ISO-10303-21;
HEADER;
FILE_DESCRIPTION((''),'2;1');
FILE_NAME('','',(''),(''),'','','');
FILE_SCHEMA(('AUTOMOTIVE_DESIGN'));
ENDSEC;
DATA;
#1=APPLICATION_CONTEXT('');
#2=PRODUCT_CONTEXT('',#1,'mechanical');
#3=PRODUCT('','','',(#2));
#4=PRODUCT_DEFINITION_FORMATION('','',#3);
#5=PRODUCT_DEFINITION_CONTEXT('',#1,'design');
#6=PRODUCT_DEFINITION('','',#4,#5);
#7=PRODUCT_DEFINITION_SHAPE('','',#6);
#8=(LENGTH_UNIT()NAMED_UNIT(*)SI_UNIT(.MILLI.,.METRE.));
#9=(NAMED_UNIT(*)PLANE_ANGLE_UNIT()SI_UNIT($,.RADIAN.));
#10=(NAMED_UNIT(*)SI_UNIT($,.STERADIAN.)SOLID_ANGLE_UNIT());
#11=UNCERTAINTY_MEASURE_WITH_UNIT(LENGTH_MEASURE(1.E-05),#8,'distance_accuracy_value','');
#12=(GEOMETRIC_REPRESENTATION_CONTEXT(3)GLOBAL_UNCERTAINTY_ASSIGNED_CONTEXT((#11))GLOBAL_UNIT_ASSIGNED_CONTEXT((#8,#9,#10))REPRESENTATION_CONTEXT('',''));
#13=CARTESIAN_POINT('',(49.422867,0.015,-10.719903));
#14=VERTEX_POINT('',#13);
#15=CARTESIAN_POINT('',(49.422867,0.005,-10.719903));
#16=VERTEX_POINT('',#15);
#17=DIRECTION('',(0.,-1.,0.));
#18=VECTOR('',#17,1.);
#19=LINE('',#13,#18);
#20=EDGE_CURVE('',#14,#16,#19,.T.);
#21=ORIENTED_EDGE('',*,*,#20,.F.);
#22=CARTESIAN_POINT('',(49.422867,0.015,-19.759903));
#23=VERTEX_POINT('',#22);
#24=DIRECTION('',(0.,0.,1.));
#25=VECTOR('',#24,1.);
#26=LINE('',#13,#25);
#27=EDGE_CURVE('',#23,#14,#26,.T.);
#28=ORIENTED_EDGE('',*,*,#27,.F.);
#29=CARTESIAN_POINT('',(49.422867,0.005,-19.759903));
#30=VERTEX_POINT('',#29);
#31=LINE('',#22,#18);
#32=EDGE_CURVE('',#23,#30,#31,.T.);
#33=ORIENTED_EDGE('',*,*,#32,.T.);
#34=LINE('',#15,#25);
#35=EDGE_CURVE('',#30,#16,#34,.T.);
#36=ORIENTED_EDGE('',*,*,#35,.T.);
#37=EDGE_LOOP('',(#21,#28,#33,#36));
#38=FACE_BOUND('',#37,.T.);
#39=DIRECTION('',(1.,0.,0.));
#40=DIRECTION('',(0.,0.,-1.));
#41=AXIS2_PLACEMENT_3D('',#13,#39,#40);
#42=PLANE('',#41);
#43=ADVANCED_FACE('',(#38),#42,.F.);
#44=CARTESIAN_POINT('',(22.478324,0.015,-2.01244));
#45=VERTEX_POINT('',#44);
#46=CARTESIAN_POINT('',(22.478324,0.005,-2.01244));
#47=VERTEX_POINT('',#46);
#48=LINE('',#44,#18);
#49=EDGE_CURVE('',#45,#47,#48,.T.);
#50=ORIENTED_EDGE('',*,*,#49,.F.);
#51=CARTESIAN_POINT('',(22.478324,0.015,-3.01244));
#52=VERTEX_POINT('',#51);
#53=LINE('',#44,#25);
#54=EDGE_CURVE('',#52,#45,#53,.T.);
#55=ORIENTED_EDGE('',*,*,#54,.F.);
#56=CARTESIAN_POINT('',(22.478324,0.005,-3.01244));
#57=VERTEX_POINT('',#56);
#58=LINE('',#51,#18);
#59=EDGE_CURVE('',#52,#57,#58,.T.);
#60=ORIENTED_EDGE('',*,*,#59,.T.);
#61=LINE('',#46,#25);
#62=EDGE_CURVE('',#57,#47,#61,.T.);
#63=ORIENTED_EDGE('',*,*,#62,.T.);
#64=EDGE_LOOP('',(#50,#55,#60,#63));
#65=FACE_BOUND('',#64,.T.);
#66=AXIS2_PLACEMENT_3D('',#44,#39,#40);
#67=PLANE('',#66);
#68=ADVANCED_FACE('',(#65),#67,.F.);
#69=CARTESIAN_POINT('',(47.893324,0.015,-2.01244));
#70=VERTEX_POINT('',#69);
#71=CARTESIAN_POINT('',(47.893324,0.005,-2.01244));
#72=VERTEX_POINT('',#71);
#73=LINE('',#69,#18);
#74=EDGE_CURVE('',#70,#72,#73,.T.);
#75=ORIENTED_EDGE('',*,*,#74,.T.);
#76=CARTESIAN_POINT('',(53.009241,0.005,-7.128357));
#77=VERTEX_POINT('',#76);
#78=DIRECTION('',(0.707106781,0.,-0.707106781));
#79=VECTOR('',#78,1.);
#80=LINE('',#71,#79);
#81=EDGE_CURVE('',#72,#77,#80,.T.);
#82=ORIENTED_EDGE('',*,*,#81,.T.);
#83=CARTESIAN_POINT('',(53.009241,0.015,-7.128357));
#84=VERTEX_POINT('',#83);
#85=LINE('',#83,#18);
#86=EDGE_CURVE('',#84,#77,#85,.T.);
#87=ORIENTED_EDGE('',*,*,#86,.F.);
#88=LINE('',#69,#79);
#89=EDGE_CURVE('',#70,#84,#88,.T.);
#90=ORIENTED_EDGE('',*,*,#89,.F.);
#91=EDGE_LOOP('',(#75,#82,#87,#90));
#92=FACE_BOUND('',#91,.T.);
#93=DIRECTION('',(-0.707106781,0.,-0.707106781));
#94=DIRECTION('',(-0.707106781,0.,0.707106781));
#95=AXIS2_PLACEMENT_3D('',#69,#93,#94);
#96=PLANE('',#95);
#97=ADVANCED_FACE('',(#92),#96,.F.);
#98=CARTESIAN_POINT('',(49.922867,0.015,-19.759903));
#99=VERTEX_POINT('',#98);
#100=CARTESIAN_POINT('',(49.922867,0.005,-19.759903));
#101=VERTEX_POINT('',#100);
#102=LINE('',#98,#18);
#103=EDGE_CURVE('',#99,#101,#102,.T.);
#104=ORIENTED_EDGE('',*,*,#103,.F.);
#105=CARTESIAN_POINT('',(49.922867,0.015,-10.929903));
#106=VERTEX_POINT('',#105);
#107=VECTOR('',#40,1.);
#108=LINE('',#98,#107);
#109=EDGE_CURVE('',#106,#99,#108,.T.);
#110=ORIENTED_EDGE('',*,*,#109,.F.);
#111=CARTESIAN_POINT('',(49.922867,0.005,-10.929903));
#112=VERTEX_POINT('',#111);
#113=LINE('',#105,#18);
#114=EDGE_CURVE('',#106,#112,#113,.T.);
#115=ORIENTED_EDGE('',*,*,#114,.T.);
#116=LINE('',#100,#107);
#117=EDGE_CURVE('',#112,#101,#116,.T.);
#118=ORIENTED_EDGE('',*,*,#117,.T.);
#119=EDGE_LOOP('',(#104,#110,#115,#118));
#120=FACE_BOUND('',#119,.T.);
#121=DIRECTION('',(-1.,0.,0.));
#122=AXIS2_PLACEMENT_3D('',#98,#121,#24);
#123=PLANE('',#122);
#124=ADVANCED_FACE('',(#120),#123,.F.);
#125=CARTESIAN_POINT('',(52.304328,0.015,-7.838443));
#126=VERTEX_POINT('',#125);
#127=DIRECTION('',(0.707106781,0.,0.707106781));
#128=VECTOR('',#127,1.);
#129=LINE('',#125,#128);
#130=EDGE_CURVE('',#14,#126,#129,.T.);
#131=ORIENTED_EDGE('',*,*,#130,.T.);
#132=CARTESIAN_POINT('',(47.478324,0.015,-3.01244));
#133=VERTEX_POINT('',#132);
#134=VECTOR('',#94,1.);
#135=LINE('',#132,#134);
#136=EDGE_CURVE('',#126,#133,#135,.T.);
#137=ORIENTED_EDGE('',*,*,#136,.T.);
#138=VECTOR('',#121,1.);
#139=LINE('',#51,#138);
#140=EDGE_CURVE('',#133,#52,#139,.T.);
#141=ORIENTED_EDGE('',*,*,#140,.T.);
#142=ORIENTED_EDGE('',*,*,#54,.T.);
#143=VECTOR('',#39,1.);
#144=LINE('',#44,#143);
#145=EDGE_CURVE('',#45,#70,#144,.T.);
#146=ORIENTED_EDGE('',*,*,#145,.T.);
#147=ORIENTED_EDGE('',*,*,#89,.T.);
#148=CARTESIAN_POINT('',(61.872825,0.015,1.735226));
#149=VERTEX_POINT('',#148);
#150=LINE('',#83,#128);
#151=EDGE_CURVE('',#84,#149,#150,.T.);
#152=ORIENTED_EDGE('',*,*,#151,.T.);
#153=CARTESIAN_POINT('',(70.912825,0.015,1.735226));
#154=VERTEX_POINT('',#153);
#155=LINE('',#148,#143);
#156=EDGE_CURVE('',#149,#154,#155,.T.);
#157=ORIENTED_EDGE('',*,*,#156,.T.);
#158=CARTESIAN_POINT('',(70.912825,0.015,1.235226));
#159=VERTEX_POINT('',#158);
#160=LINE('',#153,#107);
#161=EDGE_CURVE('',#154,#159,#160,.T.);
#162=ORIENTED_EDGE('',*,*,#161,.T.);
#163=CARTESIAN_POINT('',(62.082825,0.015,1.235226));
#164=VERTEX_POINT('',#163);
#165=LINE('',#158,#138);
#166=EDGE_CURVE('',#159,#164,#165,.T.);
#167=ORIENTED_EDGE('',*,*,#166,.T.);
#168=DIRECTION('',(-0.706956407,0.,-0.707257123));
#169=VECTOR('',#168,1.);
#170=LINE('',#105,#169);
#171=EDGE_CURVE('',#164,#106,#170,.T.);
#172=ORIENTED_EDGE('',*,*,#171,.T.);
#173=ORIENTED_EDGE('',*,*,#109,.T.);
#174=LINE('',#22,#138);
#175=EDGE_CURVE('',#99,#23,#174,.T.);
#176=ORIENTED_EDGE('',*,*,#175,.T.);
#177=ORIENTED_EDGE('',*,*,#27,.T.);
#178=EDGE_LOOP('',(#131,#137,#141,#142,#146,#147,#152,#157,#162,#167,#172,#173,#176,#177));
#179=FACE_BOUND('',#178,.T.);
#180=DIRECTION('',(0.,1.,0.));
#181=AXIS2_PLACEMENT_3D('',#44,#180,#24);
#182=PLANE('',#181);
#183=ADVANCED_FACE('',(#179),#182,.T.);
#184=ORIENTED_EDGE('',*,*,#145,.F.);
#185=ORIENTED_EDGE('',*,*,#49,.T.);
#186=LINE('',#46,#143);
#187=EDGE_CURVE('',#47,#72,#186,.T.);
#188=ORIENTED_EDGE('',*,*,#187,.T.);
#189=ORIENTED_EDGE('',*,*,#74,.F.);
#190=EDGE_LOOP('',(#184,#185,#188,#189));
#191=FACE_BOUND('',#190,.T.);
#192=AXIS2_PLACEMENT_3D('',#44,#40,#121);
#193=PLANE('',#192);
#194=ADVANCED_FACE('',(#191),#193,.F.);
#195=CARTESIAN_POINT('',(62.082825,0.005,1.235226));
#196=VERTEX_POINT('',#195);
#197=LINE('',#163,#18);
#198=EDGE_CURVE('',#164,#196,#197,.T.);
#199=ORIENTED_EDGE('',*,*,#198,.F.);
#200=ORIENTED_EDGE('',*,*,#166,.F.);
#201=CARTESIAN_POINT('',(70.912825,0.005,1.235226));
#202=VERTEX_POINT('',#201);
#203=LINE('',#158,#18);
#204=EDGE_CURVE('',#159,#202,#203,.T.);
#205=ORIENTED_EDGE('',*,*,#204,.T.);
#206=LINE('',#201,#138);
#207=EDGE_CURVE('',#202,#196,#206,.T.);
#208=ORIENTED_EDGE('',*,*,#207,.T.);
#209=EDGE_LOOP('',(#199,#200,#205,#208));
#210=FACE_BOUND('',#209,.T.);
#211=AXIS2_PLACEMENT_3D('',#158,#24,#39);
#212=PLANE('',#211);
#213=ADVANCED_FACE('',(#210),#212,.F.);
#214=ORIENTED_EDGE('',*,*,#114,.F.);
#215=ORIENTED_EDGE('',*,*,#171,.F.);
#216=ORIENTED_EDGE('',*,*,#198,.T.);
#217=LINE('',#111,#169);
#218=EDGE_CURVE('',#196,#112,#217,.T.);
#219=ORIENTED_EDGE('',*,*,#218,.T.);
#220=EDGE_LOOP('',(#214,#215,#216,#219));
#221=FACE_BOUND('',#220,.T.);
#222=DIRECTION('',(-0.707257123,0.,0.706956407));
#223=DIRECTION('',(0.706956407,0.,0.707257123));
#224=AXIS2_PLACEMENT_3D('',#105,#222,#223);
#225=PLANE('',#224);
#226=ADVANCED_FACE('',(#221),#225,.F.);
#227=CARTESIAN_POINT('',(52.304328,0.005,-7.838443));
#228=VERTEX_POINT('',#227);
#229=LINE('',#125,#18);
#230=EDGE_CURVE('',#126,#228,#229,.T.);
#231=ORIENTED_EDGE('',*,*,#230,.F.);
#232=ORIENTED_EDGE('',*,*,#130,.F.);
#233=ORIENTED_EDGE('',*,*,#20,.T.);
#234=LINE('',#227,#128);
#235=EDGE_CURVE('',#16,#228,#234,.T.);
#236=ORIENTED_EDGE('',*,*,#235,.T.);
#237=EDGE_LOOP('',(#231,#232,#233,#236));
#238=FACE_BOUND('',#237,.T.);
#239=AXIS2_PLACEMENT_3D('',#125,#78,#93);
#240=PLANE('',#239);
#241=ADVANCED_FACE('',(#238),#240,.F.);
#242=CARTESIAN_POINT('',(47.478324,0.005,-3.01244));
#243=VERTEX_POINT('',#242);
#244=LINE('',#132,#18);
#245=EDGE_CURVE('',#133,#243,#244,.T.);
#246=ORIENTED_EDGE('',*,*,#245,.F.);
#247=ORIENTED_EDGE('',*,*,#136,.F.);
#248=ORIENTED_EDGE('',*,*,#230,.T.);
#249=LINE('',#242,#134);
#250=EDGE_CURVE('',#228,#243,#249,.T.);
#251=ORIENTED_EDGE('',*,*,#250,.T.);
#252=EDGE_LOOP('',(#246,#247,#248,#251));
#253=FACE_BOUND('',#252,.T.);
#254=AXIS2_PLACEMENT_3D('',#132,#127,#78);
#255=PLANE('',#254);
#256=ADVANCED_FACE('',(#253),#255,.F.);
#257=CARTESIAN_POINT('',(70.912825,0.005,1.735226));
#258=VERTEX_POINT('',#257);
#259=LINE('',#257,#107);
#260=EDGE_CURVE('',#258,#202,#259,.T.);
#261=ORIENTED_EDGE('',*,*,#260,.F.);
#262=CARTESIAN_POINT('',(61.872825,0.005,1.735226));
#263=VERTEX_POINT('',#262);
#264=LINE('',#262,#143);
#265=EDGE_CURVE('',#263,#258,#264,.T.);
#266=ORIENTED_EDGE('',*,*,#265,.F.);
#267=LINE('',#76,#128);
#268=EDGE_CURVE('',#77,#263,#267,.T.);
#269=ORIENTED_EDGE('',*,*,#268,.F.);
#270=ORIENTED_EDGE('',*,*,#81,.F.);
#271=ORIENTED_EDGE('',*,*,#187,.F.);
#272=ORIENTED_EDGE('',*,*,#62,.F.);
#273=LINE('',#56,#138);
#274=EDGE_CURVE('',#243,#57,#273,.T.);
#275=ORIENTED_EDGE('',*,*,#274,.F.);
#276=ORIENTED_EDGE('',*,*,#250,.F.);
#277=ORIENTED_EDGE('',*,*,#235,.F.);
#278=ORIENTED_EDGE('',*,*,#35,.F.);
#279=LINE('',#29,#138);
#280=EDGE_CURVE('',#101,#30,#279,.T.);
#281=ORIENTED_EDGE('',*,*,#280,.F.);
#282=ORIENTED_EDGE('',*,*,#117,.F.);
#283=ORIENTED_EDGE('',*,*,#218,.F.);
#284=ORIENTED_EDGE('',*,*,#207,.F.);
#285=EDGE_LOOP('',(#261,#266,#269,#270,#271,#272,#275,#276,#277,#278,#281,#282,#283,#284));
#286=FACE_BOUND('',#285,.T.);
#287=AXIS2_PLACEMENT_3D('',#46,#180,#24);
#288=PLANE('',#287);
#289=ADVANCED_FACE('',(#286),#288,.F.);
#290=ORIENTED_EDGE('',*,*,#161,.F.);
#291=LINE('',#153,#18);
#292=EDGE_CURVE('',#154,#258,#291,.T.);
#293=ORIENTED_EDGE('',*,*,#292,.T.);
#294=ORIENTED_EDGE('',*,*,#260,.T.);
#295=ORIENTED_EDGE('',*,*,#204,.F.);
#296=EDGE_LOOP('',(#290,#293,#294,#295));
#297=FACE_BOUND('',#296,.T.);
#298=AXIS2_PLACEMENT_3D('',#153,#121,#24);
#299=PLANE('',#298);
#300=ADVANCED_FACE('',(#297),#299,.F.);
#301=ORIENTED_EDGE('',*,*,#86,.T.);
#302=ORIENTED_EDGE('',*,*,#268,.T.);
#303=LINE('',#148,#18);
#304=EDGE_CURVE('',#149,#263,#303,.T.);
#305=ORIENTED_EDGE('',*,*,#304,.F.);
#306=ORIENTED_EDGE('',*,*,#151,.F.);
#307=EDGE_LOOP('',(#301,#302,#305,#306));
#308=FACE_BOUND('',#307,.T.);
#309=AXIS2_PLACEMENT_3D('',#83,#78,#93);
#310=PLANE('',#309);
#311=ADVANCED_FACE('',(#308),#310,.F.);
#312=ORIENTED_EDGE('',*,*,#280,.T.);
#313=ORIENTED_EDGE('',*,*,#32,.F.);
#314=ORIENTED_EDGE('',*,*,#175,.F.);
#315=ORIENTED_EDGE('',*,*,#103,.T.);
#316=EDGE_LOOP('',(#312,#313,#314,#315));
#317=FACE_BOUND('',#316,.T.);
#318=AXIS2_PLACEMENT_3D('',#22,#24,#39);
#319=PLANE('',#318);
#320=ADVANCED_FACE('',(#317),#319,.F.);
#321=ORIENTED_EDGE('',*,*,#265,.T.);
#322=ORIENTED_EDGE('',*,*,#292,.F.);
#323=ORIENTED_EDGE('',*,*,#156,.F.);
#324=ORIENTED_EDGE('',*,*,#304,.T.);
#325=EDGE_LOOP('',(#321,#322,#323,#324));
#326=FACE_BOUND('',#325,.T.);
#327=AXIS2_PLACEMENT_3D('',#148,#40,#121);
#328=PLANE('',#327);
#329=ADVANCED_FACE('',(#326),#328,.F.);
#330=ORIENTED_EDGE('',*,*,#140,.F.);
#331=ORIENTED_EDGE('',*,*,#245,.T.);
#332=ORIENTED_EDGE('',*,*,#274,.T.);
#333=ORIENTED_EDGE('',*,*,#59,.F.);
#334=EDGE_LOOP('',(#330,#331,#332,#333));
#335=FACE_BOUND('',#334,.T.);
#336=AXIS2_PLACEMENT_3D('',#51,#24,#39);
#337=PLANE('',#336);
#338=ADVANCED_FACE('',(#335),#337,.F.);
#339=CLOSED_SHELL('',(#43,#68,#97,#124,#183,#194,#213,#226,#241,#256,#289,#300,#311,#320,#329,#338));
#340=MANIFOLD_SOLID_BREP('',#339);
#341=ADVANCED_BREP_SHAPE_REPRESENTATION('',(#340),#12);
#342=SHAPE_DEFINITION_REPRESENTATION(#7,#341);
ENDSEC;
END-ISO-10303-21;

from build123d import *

# Parameters (mm, degrees)
BOSS_EXTRUDE1_DEPTH = 0.02
SCALE2_SCALE        = 0.5


with BuildPart() as part:
    # Sketch1 → Boss-Extrude1 (new body)
    with BuildSketch(Plane(origin=(0, 0, 0), x_dir=(1, 0, 0), z_dir=(0, 1, 0))):
        Polygon((0, 0), (0, 2), (50, 2), (59.652007563, 11.652007563), (53.889087297, 17.41492783), (53.889087297, 35.49492783), (54.889087297, 35.49492783), (54.889087297, 17.83492783), (79.209002128, -6.495331881), (96.869002128, -6.495331881), (96.869002128, -7.495331881), (78.789002128, -7.495331881), (61.061835124, 10.231835124), (50.83, 0), align=None)
    extrude(amount=BOSS_EXTRUDE1_DEPTH)


with BuildPart() as part_1:
    # Scale2: scaled about (44.956647526, 0.01, -4.024879093)
    add(part.part.scale(SCALE2_SCALE).moved(Location((22.478323763, 0.005, -2.012439547))))


solid = part_1.part
